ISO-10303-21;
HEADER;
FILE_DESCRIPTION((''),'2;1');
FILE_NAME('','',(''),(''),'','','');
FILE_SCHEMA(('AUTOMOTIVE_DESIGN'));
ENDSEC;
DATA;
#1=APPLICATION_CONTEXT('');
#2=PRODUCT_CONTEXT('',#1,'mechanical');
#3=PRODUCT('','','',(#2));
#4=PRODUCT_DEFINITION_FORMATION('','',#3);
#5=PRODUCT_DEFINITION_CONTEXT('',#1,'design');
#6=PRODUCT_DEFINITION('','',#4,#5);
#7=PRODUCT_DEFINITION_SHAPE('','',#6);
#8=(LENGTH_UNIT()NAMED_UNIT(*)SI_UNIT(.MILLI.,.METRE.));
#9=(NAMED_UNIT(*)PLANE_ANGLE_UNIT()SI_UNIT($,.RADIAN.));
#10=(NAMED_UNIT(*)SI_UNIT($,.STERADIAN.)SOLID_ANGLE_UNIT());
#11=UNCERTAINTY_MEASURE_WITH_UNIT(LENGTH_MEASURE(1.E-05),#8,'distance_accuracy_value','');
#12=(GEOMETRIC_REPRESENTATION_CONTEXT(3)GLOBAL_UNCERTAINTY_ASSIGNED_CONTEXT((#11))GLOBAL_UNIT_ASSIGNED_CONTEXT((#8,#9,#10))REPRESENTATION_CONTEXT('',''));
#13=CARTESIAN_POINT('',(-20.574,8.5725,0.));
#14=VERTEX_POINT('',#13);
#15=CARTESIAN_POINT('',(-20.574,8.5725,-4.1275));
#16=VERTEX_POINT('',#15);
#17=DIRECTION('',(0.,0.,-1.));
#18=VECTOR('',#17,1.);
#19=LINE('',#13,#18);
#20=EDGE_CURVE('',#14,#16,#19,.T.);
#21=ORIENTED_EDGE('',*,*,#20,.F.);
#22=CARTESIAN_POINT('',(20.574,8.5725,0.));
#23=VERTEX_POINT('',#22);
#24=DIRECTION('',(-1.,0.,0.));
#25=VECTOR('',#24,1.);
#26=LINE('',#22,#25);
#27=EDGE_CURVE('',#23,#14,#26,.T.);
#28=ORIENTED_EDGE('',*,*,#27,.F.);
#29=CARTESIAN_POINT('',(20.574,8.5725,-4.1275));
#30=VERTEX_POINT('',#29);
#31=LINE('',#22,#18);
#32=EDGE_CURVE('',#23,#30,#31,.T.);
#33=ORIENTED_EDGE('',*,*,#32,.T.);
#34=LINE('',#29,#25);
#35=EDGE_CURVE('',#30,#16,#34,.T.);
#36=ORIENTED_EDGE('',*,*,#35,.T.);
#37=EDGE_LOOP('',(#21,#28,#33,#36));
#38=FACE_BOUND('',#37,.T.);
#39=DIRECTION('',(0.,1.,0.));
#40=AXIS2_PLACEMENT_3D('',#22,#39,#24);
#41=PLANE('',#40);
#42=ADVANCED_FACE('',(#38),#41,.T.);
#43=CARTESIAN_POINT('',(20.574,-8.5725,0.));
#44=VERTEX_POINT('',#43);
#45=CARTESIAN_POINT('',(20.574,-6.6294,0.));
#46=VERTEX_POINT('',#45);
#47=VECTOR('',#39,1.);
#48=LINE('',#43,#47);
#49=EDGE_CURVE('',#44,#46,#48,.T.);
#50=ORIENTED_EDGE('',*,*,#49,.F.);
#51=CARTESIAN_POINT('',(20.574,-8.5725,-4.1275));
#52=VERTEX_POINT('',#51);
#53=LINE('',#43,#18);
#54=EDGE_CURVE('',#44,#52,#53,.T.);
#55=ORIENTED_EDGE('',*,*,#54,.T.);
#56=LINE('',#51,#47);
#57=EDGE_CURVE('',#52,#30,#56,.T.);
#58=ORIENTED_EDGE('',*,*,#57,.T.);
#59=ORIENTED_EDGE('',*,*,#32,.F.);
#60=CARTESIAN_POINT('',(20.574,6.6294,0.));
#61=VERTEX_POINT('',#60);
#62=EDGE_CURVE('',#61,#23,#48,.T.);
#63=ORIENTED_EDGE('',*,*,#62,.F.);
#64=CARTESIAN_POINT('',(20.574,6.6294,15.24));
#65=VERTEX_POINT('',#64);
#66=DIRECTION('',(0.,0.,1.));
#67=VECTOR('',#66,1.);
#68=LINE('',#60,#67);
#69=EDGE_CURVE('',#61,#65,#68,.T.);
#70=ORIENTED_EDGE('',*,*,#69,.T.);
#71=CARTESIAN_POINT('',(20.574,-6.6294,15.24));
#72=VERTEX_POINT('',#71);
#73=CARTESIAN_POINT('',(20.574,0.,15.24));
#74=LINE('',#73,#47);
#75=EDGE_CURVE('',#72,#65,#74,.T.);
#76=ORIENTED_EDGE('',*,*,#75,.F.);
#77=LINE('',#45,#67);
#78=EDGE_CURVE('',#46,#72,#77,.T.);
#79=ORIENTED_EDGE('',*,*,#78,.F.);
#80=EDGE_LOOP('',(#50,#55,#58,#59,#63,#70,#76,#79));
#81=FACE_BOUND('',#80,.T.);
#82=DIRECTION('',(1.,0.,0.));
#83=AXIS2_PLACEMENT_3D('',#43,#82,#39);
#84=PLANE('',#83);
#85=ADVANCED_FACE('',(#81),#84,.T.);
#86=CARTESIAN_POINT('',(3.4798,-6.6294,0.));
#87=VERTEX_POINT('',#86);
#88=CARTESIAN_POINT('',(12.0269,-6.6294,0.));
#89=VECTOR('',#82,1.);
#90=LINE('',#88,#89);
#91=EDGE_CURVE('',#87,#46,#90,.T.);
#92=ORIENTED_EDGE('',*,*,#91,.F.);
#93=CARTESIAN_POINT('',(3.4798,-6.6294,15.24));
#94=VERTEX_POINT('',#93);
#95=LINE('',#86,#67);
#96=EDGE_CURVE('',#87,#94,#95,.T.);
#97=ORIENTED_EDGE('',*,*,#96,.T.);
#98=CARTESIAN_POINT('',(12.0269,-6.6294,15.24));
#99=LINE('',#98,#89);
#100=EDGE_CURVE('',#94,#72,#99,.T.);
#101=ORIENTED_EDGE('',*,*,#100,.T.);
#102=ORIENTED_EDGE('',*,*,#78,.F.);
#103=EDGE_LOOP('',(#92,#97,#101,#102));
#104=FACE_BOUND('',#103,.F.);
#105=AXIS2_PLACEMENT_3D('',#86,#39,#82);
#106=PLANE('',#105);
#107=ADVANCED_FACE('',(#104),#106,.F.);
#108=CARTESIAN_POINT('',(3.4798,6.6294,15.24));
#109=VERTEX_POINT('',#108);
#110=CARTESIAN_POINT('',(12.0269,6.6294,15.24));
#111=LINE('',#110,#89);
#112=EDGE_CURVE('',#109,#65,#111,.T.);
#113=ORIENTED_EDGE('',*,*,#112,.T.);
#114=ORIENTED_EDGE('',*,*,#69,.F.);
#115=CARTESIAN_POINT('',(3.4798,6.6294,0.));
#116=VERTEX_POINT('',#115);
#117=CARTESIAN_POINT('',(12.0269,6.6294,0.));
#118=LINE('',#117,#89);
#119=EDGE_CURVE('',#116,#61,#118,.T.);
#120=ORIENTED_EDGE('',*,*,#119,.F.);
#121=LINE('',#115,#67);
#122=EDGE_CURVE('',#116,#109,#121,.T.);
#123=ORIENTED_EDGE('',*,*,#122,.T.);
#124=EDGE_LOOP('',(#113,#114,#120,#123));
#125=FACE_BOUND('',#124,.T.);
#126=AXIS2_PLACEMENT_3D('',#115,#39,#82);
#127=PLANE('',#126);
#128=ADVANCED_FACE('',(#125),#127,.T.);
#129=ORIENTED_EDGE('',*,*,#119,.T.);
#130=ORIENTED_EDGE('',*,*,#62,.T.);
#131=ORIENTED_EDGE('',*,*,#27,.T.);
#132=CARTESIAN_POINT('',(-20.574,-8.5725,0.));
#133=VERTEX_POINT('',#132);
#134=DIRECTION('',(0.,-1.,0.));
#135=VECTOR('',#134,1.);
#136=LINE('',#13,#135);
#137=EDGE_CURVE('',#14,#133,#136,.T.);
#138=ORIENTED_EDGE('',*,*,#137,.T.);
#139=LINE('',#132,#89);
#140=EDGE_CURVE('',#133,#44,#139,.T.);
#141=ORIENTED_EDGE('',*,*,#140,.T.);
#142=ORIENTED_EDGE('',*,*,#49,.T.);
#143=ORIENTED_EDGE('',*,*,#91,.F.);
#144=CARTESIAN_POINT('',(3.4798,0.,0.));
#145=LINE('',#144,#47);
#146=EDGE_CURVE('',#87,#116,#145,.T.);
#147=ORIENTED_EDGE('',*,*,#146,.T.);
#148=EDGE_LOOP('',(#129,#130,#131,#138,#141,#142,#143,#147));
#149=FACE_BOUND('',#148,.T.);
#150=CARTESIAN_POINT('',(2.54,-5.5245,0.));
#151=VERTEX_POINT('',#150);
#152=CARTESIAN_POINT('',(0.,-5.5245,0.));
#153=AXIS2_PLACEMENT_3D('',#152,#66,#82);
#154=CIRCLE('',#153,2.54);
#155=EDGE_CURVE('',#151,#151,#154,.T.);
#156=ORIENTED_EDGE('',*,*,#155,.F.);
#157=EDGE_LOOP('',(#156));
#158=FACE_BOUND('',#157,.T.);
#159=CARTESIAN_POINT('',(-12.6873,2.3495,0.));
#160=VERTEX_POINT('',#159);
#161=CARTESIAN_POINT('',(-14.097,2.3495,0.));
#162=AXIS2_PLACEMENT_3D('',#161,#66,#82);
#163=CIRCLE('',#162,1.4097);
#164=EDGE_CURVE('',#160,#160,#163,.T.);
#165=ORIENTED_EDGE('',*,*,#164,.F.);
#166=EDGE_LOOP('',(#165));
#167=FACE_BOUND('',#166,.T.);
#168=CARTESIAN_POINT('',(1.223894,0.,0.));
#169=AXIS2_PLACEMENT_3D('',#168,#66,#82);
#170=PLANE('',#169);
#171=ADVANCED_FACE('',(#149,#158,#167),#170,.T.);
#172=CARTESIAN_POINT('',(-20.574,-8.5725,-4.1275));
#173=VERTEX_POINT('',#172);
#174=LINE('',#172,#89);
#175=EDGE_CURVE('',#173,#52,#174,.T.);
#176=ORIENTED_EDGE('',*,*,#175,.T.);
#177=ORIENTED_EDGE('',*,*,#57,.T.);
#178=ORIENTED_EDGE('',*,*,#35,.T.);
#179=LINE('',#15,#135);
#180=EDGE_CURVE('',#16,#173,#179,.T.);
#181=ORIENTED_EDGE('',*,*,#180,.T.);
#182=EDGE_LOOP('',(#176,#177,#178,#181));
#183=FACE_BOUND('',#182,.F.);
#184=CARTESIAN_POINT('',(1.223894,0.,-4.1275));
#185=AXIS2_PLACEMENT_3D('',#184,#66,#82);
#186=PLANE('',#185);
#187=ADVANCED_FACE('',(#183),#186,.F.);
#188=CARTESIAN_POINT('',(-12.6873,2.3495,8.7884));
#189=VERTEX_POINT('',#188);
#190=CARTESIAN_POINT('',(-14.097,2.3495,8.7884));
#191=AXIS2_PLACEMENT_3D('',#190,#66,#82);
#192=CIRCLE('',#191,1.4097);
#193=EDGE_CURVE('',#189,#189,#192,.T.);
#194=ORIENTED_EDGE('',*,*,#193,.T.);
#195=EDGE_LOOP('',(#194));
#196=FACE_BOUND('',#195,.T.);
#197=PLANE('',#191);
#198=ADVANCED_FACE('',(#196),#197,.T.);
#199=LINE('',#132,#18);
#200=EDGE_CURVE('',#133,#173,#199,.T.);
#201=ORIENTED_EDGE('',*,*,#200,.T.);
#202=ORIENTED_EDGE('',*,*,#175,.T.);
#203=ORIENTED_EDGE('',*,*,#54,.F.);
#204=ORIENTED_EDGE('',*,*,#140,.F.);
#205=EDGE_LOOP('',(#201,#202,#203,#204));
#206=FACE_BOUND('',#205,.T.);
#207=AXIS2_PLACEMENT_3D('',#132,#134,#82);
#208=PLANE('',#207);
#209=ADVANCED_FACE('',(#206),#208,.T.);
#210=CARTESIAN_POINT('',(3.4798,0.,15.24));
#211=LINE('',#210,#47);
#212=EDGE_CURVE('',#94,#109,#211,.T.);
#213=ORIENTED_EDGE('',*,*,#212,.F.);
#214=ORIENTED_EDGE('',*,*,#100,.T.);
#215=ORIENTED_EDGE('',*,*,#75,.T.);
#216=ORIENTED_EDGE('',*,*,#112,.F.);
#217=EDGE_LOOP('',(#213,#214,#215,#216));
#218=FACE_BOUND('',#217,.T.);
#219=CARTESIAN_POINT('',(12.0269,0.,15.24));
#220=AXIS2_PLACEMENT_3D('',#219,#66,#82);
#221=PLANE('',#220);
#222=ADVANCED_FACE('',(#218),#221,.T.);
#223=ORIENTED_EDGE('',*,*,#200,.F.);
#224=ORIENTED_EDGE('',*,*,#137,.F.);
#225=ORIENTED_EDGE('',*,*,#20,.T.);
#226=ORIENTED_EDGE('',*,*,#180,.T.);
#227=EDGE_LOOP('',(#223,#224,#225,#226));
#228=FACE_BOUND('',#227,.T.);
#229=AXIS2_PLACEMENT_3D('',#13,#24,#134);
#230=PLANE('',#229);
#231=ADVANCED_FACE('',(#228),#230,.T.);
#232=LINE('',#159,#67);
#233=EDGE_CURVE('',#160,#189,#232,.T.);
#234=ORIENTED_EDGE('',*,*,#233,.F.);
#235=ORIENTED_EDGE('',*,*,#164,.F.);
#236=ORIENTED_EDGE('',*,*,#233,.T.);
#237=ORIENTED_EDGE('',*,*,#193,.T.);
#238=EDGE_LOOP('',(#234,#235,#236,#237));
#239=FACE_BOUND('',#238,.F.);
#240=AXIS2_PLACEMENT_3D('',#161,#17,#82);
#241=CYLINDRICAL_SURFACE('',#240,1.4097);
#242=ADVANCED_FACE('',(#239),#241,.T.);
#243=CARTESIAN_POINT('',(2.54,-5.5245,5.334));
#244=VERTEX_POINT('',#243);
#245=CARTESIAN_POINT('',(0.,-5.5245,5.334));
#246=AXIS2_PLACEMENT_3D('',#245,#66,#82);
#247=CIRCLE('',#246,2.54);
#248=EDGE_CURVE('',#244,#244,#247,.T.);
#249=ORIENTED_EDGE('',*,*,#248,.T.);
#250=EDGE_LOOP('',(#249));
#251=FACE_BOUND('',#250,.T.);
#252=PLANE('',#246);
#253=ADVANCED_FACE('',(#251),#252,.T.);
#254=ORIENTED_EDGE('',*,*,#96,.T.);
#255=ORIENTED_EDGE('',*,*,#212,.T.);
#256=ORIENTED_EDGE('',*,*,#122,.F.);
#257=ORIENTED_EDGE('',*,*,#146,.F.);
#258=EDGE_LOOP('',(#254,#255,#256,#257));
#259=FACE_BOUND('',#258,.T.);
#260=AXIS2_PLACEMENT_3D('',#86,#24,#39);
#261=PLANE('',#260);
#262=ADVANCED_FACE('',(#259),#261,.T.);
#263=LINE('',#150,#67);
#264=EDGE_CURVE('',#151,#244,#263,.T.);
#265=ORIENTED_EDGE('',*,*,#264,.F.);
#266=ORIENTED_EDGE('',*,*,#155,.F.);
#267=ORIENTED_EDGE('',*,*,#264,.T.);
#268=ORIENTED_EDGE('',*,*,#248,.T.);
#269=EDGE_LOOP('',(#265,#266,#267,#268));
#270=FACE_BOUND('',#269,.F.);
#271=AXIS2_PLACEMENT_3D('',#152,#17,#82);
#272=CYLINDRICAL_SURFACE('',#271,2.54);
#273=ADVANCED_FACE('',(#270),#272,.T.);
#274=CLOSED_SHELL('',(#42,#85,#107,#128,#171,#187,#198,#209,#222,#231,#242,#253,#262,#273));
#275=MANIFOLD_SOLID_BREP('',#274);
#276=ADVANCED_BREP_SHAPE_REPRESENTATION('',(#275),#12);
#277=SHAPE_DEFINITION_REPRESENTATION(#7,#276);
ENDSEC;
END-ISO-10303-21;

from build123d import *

# Parameters (mm, degrees)
F0_R     = 2.54
F0_R_2   = 1.4097
F0_W     = 17.0942
F0_H     = 13.2588
F1_DEPTH = 4.1275
F2_DEPTH = 15.24
F3_DEPTH = 8.7884
F4_DEPTH = 5.334


with BuildPart() as f1:
    # F0 (on Top) → F1 (new body)
    with BuildSketch(Plane.XY):
        Polygon((20.574, 8.5725), (-20.574, 8.5725), (-20.574, -8.5725), (20.574, -8.5725), (20.574, -6.6294), (3.4798, -6.6294), (3.4798, 6.6294), (20.574, 6.6294), align=None)
        with Locations((0, -5.5245)):
            Circle(F0_R, mode=Mode.SUBTRACT)
        with Locations((-14.097, 2.3495)):
            Circle(F0_R_2, mode=Mode.SUBTRACT)
        with Locations((12.0269, 0)):
            Rectangle(F0_W, F0_H)
        with Locations((0, -5.5245)):
            Circle(F0_R)
        with Locations((-14.097, 2.3495)):
            Circle(F0_R_2)
    extrude(amount=-F1_DEPTH)

    # F0 (on Top) → F2 (join)
    with BuildSketch(Plane.XY):
        with Locations((12.0269, 0)):
            Rectangle(F0_W, F0_H)
    extrude(amount=F2_DEPTH)

    # F0 (on Top) → F3 (join)
    with BuildSketch(Plane.XY):
        with Locations((-14.097, 2.3495)):
            Circle(F0_R_2)
    extrude(amount=F3_DEPTH)

    # F0 (on Top) → F4 (join)
    with BuildSketch(Plane.XY):
        with Locations((0, -5.5245)):
            Circle(F0_R)
    extrude(amount=F4_DEPTH)


solid = f1.part
